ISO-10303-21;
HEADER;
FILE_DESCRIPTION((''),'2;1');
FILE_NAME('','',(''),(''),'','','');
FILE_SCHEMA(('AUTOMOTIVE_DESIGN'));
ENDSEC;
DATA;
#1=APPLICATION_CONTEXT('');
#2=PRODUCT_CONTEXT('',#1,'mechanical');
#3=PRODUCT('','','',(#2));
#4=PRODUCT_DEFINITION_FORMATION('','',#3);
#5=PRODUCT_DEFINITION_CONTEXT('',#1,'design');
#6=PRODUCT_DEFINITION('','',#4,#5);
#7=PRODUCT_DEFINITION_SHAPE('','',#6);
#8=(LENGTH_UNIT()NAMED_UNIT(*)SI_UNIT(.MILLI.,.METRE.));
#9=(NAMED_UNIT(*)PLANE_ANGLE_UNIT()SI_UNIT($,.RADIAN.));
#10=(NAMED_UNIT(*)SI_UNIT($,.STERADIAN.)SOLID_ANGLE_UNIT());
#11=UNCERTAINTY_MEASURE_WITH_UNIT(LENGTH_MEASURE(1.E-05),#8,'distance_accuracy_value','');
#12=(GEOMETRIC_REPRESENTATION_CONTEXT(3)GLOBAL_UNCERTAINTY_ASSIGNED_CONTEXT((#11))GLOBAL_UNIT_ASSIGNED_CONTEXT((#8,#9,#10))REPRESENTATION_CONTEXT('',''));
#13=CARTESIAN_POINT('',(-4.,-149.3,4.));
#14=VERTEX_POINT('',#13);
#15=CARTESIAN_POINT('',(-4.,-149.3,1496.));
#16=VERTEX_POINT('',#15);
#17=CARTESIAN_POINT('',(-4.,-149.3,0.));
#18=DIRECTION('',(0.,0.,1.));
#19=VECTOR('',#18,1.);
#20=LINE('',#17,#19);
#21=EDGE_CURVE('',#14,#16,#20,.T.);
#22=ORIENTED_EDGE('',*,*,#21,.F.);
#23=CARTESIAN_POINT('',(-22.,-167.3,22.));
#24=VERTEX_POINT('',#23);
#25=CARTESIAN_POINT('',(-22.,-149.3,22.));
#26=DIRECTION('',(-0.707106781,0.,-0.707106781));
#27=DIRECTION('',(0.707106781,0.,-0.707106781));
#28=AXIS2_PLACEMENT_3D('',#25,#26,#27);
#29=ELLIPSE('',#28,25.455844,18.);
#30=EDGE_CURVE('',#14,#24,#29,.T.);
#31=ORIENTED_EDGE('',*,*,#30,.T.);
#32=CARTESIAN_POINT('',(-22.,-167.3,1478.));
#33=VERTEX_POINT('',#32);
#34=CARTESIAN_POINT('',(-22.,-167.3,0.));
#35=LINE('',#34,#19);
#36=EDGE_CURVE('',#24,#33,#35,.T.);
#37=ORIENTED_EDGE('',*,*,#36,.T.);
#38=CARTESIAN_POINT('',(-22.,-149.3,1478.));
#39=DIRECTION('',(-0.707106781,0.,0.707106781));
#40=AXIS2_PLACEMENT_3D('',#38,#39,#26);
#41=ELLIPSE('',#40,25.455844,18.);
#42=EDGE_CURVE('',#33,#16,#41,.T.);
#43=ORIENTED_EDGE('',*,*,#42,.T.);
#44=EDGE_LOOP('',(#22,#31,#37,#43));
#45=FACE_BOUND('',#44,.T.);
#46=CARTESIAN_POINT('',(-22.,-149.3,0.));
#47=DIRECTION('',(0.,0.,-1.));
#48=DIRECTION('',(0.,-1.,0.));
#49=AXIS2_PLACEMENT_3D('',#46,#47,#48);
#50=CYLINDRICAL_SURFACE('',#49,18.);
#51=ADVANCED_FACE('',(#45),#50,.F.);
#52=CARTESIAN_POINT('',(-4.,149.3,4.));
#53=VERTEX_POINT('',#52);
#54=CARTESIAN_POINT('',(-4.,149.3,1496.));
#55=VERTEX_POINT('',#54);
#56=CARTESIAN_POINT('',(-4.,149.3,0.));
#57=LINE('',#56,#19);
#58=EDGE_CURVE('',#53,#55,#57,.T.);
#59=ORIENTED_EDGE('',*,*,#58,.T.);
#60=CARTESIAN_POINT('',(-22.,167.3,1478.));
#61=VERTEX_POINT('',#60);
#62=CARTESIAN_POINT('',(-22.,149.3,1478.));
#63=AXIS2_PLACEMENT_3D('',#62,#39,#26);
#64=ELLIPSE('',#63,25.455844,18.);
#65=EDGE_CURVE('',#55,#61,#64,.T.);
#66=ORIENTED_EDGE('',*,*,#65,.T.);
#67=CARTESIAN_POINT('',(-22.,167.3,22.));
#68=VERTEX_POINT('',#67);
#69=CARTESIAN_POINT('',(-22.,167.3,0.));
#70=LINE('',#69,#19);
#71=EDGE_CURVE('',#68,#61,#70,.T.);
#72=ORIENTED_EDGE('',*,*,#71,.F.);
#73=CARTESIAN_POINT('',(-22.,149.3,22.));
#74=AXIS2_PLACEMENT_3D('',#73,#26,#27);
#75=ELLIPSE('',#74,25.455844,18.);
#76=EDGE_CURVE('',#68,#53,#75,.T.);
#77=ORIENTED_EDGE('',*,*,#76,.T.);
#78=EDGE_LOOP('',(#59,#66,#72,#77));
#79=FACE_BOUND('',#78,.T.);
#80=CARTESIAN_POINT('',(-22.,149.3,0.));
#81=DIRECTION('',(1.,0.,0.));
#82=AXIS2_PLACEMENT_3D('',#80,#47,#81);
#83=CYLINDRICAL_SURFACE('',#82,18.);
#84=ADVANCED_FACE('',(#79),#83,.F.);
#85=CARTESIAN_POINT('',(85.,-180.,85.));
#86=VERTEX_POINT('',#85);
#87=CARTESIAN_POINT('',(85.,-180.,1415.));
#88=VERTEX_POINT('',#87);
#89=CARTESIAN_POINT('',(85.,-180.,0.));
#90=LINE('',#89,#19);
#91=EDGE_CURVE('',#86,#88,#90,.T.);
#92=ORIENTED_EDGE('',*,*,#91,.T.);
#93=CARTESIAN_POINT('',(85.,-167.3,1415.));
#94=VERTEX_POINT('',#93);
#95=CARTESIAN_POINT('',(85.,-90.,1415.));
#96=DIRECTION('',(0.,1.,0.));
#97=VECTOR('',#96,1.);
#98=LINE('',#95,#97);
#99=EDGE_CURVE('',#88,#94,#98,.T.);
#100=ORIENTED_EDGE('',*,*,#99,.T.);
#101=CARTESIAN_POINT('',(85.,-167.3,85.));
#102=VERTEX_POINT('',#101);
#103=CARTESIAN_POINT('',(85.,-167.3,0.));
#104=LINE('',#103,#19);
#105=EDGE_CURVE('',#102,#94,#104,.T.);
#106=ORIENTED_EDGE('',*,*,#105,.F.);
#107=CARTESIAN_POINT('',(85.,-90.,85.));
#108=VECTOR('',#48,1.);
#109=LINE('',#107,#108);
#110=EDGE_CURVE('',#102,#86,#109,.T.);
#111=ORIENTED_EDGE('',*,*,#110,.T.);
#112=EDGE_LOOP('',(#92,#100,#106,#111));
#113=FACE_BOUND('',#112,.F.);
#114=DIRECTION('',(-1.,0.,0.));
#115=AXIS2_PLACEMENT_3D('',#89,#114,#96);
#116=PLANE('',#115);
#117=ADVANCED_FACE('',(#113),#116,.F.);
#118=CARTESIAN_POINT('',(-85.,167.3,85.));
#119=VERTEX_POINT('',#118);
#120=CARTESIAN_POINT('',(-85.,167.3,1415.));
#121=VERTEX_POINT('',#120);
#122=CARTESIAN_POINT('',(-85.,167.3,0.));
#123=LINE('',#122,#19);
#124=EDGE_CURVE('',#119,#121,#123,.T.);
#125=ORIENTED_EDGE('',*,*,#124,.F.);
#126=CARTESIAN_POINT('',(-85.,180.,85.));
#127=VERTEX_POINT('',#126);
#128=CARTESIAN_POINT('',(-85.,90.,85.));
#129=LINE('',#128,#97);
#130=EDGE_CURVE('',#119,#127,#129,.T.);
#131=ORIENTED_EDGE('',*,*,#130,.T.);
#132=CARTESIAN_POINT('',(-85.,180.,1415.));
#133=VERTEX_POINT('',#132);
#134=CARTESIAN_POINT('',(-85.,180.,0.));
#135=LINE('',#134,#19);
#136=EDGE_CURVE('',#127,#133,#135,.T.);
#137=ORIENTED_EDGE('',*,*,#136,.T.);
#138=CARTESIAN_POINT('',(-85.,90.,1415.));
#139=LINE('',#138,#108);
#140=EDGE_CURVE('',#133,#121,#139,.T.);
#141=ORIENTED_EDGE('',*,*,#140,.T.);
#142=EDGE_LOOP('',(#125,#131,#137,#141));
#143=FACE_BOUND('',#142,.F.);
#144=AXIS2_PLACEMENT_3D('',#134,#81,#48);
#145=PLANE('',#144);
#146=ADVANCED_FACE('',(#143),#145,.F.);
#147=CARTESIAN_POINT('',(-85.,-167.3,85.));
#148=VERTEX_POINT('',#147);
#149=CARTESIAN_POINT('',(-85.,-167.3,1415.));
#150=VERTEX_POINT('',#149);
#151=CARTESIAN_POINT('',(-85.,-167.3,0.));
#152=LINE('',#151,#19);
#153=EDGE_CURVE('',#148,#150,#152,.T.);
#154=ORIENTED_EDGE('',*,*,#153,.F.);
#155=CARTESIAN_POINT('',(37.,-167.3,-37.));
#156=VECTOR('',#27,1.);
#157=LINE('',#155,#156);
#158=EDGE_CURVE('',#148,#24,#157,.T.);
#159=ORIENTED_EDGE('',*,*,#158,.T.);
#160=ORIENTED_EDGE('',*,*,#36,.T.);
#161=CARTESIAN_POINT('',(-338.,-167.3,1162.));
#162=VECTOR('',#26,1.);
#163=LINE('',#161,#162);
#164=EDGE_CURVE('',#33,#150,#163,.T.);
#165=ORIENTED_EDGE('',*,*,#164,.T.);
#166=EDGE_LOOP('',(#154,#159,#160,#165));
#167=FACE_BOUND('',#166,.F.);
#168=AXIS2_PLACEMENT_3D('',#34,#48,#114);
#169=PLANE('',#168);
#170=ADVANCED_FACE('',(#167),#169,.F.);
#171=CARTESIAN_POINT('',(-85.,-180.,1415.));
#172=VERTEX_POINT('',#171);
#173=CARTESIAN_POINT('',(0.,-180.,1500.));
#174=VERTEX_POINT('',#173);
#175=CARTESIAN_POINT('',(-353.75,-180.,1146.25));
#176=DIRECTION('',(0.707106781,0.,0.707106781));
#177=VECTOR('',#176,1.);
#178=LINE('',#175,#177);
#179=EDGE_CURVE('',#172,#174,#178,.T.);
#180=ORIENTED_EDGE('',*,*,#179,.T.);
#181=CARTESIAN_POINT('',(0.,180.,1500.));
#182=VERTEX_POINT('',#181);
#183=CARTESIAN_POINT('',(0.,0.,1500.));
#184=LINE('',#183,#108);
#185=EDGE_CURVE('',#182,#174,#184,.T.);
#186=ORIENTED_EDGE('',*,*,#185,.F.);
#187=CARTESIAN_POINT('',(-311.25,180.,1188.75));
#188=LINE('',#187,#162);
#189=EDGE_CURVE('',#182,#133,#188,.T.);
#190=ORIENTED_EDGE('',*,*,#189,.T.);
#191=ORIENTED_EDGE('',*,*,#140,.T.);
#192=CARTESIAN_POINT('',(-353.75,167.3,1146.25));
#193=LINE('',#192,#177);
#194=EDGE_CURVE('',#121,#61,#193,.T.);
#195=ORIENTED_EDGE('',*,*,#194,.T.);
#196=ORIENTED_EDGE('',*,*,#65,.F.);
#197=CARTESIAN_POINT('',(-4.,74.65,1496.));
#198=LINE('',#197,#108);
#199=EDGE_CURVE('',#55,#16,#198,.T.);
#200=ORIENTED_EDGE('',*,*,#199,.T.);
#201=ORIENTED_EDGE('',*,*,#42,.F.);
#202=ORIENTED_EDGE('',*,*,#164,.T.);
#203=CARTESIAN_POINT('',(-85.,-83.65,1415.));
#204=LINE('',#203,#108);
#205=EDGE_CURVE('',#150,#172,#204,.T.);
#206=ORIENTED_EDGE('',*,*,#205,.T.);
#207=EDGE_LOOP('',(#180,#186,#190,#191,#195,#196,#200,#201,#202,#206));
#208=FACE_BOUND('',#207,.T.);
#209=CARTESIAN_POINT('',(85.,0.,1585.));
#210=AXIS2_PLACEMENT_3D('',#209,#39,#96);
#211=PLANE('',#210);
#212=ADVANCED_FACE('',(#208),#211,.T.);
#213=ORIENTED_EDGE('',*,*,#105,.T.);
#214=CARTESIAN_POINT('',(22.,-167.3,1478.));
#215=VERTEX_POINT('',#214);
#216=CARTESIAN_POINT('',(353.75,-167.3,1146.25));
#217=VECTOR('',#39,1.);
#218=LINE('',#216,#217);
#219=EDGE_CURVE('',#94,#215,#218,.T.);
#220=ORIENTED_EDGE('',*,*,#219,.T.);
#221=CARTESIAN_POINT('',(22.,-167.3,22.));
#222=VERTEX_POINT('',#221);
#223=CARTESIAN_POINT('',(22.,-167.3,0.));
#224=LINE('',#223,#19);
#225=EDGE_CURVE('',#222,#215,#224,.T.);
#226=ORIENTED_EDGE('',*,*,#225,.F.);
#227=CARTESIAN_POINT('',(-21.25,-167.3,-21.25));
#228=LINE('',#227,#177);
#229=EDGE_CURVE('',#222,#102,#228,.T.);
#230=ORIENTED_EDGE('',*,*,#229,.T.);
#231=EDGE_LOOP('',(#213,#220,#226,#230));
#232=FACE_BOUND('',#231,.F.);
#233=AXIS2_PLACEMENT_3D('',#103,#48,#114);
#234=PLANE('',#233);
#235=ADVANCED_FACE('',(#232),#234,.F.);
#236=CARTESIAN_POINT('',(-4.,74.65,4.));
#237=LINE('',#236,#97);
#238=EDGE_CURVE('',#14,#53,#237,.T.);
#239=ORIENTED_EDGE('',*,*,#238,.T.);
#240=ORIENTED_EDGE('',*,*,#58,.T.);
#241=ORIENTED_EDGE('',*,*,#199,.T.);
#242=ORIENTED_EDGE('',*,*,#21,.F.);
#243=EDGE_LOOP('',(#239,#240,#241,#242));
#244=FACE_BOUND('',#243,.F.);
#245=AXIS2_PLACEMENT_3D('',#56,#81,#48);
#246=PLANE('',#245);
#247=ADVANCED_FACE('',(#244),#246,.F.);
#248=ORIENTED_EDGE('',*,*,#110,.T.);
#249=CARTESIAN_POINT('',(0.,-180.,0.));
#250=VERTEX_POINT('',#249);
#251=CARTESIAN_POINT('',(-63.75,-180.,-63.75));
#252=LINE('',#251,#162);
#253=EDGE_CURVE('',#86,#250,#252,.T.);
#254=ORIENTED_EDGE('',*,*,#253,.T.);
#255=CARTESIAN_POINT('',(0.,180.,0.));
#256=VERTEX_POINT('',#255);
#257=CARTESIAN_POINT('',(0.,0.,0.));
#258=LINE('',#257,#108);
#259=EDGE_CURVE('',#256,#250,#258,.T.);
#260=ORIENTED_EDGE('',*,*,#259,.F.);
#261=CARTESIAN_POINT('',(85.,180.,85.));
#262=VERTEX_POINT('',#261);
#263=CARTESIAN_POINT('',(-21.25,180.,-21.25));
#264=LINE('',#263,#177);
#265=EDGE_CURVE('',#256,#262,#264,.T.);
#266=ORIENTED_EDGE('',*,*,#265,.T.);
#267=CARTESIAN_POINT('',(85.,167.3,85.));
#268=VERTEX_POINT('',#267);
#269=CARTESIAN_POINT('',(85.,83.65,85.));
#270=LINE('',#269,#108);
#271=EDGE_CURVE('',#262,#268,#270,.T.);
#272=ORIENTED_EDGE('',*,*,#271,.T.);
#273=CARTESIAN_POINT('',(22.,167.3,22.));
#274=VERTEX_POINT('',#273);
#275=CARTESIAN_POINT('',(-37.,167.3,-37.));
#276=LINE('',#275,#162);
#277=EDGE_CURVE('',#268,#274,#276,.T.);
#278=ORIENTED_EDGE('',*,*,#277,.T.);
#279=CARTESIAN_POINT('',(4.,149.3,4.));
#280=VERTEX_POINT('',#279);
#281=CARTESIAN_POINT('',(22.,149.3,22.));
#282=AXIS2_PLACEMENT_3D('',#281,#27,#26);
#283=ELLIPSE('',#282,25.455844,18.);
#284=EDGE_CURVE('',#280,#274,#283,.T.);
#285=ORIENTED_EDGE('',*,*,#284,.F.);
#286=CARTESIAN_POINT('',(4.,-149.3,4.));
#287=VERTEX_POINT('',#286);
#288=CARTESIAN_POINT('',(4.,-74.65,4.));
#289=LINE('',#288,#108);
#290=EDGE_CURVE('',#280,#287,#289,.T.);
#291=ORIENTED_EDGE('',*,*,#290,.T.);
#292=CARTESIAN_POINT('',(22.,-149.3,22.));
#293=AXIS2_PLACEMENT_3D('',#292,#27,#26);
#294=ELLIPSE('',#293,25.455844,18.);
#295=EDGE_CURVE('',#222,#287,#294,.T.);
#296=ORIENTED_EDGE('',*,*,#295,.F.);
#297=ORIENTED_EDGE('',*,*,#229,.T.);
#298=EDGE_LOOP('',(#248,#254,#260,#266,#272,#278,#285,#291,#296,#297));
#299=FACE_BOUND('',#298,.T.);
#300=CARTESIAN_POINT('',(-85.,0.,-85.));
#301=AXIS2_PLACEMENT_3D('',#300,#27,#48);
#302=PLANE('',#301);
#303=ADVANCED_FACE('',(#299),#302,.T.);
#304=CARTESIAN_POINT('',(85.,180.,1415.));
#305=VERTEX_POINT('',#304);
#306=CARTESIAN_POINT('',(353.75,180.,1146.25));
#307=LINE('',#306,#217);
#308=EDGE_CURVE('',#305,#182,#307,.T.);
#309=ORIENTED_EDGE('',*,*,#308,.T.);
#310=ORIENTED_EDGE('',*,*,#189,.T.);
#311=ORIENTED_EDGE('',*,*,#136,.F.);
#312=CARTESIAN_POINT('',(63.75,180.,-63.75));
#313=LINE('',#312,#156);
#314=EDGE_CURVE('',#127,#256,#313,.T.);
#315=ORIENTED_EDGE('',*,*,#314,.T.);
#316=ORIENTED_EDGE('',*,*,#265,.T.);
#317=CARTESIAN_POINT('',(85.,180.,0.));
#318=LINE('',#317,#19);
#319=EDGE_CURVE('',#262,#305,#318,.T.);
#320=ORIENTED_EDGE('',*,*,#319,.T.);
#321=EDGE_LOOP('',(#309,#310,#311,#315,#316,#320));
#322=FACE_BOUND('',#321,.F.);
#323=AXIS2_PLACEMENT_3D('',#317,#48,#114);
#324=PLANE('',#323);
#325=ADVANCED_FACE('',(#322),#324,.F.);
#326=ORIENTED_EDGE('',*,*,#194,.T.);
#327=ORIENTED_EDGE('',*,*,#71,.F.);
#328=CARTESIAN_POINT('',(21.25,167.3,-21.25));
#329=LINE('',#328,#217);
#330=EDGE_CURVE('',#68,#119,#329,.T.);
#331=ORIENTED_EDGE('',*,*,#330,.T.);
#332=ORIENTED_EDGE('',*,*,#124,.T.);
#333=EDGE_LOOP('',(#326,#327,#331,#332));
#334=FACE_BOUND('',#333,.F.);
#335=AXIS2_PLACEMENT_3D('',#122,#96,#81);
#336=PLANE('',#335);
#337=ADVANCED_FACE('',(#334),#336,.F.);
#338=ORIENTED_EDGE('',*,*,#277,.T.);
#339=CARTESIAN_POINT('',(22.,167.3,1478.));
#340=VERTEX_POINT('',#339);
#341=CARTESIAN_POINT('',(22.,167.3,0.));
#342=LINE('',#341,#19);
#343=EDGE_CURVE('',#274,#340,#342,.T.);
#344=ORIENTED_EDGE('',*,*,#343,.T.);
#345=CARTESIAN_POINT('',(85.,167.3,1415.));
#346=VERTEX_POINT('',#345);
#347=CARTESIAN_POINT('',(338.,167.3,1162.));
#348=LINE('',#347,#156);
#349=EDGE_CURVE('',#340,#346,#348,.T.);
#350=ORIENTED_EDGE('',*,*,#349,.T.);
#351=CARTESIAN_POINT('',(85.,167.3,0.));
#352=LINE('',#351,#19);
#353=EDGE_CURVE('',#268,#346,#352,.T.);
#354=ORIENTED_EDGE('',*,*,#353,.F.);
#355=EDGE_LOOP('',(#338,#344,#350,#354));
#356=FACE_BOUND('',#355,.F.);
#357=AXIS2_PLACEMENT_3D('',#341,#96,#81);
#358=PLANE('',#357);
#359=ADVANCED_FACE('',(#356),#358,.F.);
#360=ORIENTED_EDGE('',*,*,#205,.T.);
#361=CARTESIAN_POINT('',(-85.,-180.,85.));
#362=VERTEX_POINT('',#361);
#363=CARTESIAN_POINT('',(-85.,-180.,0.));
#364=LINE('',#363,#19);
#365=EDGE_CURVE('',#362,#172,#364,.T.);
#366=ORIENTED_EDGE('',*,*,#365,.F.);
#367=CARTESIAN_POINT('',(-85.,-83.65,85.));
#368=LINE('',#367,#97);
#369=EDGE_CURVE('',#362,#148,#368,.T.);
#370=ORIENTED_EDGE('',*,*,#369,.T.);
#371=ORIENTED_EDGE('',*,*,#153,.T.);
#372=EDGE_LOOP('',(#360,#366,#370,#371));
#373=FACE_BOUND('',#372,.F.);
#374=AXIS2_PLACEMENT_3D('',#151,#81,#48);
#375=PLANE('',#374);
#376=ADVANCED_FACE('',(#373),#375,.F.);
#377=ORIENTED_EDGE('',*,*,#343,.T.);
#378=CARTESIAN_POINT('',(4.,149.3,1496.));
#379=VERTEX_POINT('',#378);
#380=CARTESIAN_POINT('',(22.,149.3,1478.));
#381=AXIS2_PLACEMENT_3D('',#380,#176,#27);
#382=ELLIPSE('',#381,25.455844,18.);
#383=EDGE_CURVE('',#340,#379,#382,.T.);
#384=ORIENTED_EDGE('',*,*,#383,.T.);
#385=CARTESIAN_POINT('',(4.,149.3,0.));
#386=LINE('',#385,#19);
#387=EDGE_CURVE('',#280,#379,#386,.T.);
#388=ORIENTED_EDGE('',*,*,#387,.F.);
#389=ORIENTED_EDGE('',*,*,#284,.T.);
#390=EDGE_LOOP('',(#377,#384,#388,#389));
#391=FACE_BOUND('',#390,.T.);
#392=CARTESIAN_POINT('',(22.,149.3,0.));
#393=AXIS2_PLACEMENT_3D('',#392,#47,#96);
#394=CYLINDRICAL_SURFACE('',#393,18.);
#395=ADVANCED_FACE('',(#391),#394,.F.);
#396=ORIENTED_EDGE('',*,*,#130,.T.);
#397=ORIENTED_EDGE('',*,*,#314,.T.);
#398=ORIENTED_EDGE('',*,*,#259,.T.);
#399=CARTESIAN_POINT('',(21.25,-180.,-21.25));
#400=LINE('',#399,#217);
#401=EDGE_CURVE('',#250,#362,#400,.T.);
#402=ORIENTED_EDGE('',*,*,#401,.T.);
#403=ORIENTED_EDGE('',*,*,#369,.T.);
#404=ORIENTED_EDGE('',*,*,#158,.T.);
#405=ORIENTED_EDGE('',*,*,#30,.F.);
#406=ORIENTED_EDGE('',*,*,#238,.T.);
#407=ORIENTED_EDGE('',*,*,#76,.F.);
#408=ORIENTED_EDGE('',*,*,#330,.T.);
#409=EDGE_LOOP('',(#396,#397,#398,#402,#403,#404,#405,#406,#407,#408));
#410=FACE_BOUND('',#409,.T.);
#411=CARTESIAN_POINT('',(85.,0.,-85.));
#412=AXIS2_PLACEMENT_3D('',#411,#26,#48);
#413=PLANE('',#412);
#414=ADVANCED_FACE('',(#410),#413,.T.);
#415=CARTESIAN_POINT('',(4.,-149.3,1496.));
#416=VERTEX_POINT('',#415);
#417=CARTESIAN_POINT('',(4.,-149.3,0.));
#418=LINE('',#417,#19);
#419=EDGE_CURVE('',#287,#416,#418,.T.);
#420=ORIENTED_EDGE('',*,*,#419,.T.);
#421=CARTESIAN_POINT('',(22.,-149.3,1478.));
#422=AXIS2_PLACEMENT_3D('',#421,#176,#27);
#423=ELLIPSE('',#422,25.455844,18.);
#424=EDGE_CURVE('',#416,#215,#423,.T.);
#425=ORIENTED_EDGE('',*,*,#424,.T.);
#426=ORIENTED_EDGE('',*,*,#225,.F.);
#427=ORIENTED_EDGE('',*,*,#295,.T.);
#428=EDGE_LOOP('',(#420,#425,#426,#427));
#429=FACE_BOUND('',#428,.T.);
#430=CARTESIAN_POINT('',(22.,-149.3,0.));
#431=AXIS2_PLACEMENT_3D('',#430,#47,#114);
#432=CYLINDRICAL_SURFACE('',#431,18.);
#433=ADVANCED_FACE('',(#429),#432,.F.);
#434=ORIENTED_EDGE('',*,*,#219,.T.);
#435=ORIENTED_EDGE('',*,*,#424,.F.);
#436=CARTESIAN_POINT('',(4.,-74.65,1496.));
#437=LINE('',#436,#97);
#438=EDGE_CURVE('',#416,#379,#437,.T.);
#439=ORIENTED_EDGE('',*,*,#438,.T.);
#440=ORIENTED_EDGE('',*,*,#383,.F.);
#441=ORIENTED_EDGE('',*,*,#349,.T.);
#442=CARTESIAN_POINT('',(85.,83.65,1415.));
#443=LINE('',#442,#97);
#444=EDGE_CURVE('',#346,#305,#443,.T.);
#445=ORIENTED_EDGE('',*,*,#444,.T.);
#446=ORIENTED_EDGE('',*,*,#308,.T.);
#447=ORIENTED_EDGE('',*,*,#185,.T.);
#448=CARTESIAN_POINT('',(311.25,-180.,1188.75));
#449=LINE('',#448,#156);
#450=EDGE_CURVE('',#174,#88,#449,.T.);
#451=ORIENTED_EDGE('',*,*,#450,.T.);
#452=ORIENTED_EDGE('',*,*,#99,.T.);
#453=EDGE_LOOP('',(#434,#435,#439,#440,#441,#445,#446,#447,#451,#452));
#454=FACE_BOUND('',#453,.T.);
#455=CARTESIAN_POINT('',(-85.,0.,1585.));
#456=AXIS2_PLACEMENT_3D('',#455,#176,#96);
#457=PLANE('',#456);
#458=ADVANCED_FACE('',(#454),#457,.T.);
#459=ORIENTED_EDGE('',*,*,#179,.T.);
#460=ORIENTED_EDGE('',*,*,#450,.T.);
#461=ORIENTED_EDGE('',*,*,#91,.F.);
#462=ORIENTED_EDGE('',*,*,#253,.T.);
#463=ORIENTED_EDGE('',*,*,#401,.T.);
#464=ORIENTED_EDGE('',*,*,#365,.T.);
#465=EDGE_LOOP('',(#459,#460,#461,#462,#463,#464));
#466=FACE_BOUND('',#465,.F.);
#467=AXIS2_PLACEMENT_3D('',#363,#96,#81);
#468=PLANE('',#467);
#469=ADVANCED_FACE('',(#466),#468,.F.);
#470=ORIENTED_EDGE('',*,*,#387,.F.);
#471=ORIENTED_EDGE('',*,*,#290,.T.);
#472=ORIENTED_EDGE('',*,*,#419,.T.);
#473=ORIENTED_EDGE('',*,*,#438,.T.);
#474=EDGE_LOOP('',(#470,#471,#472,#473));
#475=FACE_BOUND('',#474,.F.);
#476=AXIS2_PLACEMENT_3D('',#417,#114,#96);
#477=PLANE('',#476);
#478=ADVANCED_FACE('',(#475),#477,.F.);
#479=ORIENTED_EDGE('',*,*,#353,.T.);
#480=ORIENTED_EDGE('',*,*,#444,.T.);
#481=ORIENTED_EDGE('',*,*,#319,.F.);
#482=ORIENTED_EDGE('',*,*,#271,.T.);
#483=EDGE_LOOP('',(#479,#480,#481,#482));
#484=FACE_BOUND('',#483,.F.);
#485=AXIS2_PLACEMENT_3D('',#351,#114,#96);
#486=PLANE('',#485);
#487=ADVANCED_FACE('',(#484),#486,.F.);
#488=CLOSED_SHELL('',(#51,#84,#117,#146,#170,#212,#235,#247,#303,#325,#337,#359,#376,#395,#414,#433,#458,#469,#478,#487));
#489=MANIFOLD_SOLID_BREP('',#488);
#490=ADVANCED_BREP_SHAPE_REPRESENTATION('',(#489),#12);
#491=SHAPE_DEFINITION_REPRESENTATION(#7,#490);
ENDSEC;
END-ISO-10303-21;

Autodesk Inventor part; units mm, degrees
ref_plane "Start Plane" through (0, 0, 0) normal (0, 0, 1) x (1, 0, 0)
ref_plane "End Plane" through (0, 0, 1500) normal (0, 0, 1) x (1, 0, 0)
sketch "Sketch" plane through (0, 0, 0) normal (0, 0, 1) x (1, 0, 0)
  line L0 (-85, 167.3) -> (-22, 167.3)
  line L1 (-85, 180) -> (-85, 167.3)
  line L2 (85, 180) -> (-85, 180)
  line L3 (85, 167.3) -> (85, 180)
  line L4 (22, 167.3) -> (85, 167.3)
  line L5 (4, -149.3) -> (4, 149.3)
  line L6 (85, -167.3) -> (22, -167.3)
  line L7 (85, -180) -> (85, -167.3)
  line L8 (-85, -167.3) -> (-85, -180)
  line L9 (-22, -167.3) -> (-85, -167.3)
  line L10 (-4, 149.3) -> (-4, -149.3)
  line L11 (0, -252) -> (0, 252) construction
  line L12 (-4, -167.3) -> (4, -167.3) construction
  arc A0 (-22, -167.3) -> (-4, -149.3) centre (-22, -149.3) ccw
  arc A1 (-4, 149.3) -> (-22, 167.3) centre (-22, 149.3) ccw
  arc A2 (22, 167.3) -> (4, 149.3) centre (22, 149.3) ccw
  arc A3 (4, -149.3) -> (22, -167.3) centre (22, -149.3) ccw
  line L13 (-119, 0) -> (119, 0) construction
  line L14 (-85, -180) -> (85, -180)
  point P0 (-4, 167.3)
  point P1 (4, 167.3)
  point P2 (0, 0)
  point P3 (0, -167.3)
  point P4 (0, 0)
  dimension "d1" = 360
  dimension "d3" = 12.7
  dimension "d5" = 8
  dimension "d7" = 170
  dimension "d13" = 18
  dimension "d14" = 180
  dimension "d15" = 85
extrude "Body" add sketch "Sketch" along normal up to surface (1500 mm away) from surface at 0
sketch "Sketch3" plane through (0, 0, 0) normal (0, 0, 1) x (1, 0, 0)
  line L0 (0, 0) -> (10, 0)
ref_plane "Work Plane3" through (0, 0, 0) normal (0, -1, 0) x (1, 0, 0)
ref_plane "Work Plane4" through (85, 0, 1585) normal (-0.7071, 0, 0.7071) x (0.7071, 0, 0.7071)
split "Split1" plane through (85, 0, 1585) removes the side toward (-0.7071, 0, 0.7071)
ref_plane "Work Plane5" through (85, 0, -85) normal (-0.7071, 0, -0.7071) x (-0.7071, 0, 0.7071)
split "Split2" plane through (85, 0, -85) removes the side toward (-0.7071, 0, -0.7071)
ref_plane "Work Plane6" through (-85, 0, -85) normal (0.7071, 0, -0.7071) x (-0.7071, 0, -0.7071)
split "Split3" plane through (-85, 0, -85) removes the side toward (0.7071, 0, -0.7071)
ref_plane "Work Plane7" through (-85, 0, 1585) normal (0.7071, 0, 0.7071) x (0.7071, 0, -0.7071)
split "Split4" plane through (-85, 0, 1585) removes the side toward (0.7071, 0, 0.7071)
sketch "Sketch4" plane through (0, 0, 0) normal (0, -1, 0) x (1, 0, 0)
  line L0 (-2, 0) -> (12, 0) projected
  line L1 (-2, 1500) -> (12, 1500) projected
  dimension "d19" = 1500
equation "\"d1\" = ParH"
equation "\"d3\" = t2"
equation "\"d5\" = t1"
equation "\"d7\" = b"
equation "\"d13\" = R1"
equation "\"d14\" = 0.5 * d1"
equation "\"d15\" = 0.5 * d7"
equation "\"d8\" = G_L"
equation "\"b\" = 170"
equation "\"ParH\" = 360"
equation "\"R1\" = 18"
equation "\"G_L\" = d19"
equation "\"t1\" = 8"
equation "\"t2\" = 12.7"
equation "\"G_OFFSET_START\" = 0"
equation "\"G_OFFSET_END\" = 0"
properties part number "DIN 1025 - IPE 360-1500" material "Steel, Mild"
